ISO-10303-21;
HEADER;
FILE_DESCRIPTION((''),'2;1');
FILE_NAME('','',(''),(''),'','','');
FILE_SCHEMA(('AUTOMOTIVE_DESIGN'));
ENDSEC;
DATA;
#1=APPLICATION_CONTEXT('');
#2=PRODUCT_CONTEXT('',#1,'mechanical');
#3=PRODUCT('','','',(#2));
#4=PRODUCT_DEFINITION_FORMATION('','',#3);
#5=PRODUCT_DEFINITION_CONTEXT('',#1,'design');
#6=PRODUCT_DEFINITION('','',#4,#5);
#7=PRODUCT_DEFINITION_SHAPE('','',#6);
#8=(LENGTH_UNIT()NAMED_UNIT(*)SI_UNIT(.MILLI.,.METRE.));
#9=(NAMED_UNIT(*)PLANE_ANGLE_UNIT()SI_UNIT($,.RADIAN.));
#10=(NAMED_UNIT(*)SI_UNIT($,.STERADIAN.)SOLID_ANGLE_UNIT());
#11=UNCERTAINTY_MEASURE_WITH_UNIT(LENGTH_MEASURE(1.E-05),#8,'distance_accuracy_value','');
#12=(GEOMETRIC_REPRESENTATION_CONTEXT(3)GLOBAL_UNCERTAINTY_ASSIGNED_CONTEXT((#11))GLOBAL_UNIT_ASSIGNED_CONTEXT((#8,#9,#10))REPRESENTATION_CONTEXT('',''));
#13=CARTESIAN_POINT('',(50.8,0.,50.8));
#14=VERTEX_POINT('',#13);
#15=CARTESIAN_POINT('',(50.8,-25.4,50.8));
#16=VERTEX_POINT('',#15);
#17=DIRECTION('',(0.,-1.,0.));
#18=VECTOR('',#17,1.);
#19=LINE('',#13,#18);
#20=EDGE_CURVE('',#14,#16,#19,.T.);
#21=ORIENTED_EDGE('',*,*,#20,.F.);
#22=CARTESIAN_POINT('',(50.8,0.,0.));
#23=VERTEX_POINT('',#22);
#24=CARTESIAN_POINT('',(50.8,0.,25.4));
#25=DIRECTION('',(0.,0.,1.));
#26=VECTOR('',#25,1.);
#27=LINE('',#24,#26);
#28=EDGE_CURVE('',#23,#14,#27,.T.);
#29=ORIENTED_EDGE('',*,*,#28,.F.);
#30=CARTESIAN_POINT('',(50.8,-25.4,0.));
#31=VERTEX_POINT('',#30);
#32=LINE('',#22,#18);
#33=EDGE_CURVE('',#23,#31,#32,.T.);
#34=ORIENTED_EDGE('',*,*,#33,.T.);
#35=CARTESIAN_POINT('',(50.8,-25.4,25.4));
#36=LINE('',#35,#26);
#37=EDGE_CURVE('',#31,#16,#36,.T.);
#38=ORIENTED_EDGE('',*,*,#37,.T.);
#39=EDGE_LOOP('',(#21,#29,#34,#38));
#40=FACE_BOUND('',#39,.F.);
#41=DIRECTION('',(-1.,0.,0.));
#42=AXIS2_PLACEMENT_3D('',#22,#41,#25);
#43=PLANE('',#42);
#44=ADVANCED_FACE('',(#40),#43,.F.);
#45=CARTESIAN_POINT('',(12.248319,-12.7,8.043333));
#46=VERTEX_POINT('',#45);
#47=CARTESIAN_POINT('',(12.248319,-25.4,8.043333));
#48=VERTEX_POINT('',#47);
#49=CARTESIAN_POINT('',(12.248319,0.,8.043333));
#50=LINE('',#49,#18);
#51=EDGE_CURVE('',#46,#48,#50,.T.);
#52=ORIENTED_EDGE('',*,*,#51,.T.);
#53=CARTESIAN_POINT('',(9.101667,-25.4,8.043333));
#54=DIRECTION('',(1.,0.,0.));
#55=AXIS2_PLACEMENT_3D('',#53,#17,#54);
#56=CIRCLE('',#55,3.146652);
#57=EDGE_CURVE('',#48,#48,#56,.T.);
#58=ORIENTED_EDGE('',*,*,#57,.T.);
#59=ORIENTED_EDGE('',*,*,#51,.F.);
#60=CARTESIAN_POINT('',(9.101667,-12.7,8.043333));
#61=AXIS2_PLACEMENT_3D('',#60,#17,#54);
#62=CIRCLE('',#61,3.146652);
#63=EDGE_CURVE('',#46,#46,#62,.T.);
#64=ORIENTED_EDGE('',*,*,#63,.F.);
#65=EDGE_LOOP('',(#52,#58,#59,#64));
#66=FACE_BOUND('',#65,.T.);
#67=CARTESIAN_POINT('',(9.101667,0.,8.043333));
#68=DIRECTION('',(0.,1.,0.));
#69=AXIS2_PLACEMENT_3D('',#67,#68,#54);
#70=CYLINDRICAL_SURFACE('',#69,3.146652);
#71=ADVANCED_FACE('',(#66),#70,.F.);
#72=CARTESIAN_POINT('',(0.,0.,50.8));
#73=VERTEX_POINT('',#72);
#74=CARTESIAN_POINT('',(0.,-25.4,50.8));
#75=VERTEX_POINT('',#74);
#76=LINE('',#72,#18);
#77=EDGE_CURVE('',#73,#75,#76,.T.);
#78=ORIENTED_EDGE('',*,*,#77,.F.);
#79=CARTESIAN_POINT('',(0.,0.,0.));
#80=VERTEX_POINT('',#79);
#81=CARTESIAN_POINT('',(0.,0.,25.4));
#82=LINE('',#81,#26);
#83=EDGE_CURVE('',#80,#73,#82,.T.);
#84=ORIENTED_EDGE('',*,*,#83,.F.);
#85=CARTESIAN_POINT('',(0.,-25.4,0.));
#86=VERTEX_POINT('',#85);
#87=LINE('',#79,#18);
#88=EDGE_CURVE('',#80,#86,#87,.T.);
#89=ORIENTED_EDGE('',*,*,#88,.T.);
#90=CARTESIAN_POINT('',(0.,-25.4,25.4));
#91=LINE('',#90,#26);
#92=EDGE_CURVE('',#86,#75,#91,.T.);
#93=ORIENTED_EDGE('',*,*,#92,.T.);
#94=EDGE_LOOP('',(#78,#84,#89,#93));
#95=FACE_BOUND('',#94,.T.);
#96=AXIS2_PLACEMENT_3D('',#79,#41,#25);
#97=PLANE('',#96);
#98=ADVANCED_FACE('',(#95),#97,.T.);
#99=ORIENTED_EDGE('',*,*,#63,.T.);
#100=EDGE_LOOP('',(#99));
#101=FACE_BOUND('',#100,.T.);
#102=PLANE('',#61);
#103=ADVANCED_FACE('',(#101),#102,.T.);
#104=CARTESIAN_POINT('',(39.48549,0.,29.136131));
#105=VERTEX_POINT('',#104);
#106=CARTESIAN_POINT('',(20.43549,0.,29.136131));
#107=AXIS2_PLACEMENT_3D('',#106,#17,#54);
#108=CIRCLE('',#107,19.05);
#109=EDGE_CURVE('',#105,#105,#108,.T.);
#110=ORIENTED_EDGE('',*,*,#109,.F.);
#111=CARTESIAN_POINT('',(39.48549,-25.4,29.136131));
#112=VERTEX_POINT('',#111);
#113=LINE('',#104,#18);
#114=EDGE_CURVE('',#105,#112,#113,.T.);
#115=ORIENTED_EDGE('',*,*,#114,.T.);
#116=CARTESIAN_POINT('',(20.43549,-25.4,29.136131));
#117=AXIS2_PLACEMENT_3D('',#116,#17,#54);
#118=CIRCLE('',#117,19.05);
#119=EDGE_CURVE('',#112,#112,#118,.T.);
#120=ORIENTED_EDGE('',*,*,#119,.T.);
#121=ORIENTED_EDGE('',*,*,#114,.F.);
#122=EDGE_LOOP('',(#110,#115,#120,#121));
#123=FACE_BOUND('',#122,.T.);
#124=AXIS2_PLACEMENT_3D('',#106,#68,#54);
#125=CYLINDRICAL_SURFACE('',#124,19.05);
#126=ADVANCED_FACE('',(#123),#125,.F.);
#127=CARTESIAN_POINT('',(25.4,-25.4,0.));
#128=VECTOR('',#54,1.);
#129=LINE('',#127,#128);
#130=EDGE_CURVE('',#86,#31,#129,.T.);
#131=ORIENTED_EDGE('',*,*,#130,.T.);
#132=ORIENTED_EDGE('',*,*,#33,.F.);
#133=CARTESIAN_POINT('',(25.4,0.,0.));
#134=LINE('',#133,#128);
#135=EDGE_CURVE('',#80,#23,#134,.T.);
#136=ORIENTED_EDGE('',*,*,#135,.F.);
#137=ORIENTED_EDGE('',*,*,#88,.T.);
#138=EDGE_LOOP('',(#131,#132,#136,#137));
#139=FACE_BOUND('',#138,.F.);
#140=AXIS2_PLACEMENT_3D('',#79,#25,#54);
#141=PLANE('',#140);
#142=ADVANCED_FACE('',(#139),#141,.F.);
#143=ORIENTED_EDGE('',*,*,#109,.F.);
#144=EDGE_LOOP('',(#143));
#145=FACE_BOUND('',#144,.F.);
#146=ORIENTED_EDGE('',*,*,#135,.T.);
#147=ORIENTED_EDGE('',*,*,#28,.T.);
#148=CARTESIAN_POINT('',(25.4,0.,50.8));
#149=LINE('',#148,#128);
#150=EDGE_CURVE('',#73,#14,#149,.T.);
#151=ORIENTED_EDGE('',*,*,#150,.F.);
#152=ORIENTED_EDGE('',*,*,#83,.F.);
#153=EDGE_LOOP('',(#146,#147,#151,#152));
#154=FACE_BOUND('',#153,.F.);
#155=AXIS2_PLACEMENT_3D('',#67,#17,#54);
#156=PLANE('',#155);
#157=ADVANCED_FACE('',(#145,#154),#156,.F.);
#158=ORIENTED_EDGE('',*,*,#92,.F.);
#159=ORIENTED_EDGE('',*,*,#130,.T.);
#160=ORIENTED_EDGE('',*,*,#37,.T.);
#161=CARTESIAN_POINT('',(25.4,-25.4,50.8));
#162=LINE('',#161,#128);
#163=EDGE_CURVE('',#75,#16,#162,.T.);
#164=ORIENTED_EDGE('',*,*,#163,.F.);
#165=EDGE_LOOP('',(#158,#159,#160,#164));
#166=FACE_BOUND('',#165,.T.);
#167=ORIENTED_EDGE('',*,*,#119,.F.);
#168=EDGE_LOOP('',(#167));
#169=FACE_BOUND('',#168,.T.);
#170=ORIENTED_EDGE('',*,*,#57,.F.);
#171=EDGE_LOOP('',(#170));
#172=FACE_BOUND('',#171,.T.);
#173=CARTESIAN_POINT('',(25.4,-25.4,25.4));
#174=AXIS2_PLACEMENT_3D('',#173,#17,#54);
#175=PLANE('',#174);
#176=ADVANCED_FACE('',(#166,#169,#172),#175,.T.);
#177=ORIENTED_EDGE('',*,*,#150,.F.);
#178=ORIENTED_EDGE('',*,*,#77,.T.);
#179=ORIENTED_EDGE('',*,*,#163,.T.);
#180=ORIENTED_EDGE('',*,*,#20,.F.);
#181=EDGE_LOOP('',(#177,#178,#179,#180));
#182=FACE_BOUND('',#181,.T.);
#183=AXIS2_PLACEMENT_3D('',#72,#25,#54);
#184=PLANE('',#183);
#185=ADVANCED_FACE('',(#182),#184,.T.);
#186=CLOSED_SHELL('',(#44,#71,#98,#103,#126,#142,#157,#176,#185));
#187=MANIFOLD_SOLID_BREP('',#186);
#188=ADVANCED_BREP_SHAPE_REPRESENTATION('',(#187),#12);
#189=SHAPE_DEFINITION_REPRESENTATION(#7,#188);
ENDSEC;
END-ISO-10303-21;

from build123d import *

# Parameters (mm, degrees)
F0_W     = 50.8
F0_H     = 50.8
F0_R     = 3.146652
F0_R_2   = 19.05
F1_DEPTH = 25.4
F2_DEPTH = 12.7


with BuildPart() as f1:
    # F0 (on Front) → F1 (new body)
    with BuildSketch(Plane.XZ):
        with Locations((25.4, 25.4)):
            Rectangle(F0_W, F0_H)
        with Locations((9.101667, 8.043333)):
            Circle(F0_R, mode=Mode.SUBTRACT)
        with Locations((20.43549, 29.136131)):
            Circle(F0_R_2, mode=Mode.SUBTRACT)
    extrude(amount=F1_DEPTH)

    # F0 (on Front) → F2 (join)
    with BuildSketch(Plane.XZ):
        with Locations((9.101667, 8.043333)):
            Circle(F0_R)
    extrude(amount=F2_DEPTH)


solid = f1.part
